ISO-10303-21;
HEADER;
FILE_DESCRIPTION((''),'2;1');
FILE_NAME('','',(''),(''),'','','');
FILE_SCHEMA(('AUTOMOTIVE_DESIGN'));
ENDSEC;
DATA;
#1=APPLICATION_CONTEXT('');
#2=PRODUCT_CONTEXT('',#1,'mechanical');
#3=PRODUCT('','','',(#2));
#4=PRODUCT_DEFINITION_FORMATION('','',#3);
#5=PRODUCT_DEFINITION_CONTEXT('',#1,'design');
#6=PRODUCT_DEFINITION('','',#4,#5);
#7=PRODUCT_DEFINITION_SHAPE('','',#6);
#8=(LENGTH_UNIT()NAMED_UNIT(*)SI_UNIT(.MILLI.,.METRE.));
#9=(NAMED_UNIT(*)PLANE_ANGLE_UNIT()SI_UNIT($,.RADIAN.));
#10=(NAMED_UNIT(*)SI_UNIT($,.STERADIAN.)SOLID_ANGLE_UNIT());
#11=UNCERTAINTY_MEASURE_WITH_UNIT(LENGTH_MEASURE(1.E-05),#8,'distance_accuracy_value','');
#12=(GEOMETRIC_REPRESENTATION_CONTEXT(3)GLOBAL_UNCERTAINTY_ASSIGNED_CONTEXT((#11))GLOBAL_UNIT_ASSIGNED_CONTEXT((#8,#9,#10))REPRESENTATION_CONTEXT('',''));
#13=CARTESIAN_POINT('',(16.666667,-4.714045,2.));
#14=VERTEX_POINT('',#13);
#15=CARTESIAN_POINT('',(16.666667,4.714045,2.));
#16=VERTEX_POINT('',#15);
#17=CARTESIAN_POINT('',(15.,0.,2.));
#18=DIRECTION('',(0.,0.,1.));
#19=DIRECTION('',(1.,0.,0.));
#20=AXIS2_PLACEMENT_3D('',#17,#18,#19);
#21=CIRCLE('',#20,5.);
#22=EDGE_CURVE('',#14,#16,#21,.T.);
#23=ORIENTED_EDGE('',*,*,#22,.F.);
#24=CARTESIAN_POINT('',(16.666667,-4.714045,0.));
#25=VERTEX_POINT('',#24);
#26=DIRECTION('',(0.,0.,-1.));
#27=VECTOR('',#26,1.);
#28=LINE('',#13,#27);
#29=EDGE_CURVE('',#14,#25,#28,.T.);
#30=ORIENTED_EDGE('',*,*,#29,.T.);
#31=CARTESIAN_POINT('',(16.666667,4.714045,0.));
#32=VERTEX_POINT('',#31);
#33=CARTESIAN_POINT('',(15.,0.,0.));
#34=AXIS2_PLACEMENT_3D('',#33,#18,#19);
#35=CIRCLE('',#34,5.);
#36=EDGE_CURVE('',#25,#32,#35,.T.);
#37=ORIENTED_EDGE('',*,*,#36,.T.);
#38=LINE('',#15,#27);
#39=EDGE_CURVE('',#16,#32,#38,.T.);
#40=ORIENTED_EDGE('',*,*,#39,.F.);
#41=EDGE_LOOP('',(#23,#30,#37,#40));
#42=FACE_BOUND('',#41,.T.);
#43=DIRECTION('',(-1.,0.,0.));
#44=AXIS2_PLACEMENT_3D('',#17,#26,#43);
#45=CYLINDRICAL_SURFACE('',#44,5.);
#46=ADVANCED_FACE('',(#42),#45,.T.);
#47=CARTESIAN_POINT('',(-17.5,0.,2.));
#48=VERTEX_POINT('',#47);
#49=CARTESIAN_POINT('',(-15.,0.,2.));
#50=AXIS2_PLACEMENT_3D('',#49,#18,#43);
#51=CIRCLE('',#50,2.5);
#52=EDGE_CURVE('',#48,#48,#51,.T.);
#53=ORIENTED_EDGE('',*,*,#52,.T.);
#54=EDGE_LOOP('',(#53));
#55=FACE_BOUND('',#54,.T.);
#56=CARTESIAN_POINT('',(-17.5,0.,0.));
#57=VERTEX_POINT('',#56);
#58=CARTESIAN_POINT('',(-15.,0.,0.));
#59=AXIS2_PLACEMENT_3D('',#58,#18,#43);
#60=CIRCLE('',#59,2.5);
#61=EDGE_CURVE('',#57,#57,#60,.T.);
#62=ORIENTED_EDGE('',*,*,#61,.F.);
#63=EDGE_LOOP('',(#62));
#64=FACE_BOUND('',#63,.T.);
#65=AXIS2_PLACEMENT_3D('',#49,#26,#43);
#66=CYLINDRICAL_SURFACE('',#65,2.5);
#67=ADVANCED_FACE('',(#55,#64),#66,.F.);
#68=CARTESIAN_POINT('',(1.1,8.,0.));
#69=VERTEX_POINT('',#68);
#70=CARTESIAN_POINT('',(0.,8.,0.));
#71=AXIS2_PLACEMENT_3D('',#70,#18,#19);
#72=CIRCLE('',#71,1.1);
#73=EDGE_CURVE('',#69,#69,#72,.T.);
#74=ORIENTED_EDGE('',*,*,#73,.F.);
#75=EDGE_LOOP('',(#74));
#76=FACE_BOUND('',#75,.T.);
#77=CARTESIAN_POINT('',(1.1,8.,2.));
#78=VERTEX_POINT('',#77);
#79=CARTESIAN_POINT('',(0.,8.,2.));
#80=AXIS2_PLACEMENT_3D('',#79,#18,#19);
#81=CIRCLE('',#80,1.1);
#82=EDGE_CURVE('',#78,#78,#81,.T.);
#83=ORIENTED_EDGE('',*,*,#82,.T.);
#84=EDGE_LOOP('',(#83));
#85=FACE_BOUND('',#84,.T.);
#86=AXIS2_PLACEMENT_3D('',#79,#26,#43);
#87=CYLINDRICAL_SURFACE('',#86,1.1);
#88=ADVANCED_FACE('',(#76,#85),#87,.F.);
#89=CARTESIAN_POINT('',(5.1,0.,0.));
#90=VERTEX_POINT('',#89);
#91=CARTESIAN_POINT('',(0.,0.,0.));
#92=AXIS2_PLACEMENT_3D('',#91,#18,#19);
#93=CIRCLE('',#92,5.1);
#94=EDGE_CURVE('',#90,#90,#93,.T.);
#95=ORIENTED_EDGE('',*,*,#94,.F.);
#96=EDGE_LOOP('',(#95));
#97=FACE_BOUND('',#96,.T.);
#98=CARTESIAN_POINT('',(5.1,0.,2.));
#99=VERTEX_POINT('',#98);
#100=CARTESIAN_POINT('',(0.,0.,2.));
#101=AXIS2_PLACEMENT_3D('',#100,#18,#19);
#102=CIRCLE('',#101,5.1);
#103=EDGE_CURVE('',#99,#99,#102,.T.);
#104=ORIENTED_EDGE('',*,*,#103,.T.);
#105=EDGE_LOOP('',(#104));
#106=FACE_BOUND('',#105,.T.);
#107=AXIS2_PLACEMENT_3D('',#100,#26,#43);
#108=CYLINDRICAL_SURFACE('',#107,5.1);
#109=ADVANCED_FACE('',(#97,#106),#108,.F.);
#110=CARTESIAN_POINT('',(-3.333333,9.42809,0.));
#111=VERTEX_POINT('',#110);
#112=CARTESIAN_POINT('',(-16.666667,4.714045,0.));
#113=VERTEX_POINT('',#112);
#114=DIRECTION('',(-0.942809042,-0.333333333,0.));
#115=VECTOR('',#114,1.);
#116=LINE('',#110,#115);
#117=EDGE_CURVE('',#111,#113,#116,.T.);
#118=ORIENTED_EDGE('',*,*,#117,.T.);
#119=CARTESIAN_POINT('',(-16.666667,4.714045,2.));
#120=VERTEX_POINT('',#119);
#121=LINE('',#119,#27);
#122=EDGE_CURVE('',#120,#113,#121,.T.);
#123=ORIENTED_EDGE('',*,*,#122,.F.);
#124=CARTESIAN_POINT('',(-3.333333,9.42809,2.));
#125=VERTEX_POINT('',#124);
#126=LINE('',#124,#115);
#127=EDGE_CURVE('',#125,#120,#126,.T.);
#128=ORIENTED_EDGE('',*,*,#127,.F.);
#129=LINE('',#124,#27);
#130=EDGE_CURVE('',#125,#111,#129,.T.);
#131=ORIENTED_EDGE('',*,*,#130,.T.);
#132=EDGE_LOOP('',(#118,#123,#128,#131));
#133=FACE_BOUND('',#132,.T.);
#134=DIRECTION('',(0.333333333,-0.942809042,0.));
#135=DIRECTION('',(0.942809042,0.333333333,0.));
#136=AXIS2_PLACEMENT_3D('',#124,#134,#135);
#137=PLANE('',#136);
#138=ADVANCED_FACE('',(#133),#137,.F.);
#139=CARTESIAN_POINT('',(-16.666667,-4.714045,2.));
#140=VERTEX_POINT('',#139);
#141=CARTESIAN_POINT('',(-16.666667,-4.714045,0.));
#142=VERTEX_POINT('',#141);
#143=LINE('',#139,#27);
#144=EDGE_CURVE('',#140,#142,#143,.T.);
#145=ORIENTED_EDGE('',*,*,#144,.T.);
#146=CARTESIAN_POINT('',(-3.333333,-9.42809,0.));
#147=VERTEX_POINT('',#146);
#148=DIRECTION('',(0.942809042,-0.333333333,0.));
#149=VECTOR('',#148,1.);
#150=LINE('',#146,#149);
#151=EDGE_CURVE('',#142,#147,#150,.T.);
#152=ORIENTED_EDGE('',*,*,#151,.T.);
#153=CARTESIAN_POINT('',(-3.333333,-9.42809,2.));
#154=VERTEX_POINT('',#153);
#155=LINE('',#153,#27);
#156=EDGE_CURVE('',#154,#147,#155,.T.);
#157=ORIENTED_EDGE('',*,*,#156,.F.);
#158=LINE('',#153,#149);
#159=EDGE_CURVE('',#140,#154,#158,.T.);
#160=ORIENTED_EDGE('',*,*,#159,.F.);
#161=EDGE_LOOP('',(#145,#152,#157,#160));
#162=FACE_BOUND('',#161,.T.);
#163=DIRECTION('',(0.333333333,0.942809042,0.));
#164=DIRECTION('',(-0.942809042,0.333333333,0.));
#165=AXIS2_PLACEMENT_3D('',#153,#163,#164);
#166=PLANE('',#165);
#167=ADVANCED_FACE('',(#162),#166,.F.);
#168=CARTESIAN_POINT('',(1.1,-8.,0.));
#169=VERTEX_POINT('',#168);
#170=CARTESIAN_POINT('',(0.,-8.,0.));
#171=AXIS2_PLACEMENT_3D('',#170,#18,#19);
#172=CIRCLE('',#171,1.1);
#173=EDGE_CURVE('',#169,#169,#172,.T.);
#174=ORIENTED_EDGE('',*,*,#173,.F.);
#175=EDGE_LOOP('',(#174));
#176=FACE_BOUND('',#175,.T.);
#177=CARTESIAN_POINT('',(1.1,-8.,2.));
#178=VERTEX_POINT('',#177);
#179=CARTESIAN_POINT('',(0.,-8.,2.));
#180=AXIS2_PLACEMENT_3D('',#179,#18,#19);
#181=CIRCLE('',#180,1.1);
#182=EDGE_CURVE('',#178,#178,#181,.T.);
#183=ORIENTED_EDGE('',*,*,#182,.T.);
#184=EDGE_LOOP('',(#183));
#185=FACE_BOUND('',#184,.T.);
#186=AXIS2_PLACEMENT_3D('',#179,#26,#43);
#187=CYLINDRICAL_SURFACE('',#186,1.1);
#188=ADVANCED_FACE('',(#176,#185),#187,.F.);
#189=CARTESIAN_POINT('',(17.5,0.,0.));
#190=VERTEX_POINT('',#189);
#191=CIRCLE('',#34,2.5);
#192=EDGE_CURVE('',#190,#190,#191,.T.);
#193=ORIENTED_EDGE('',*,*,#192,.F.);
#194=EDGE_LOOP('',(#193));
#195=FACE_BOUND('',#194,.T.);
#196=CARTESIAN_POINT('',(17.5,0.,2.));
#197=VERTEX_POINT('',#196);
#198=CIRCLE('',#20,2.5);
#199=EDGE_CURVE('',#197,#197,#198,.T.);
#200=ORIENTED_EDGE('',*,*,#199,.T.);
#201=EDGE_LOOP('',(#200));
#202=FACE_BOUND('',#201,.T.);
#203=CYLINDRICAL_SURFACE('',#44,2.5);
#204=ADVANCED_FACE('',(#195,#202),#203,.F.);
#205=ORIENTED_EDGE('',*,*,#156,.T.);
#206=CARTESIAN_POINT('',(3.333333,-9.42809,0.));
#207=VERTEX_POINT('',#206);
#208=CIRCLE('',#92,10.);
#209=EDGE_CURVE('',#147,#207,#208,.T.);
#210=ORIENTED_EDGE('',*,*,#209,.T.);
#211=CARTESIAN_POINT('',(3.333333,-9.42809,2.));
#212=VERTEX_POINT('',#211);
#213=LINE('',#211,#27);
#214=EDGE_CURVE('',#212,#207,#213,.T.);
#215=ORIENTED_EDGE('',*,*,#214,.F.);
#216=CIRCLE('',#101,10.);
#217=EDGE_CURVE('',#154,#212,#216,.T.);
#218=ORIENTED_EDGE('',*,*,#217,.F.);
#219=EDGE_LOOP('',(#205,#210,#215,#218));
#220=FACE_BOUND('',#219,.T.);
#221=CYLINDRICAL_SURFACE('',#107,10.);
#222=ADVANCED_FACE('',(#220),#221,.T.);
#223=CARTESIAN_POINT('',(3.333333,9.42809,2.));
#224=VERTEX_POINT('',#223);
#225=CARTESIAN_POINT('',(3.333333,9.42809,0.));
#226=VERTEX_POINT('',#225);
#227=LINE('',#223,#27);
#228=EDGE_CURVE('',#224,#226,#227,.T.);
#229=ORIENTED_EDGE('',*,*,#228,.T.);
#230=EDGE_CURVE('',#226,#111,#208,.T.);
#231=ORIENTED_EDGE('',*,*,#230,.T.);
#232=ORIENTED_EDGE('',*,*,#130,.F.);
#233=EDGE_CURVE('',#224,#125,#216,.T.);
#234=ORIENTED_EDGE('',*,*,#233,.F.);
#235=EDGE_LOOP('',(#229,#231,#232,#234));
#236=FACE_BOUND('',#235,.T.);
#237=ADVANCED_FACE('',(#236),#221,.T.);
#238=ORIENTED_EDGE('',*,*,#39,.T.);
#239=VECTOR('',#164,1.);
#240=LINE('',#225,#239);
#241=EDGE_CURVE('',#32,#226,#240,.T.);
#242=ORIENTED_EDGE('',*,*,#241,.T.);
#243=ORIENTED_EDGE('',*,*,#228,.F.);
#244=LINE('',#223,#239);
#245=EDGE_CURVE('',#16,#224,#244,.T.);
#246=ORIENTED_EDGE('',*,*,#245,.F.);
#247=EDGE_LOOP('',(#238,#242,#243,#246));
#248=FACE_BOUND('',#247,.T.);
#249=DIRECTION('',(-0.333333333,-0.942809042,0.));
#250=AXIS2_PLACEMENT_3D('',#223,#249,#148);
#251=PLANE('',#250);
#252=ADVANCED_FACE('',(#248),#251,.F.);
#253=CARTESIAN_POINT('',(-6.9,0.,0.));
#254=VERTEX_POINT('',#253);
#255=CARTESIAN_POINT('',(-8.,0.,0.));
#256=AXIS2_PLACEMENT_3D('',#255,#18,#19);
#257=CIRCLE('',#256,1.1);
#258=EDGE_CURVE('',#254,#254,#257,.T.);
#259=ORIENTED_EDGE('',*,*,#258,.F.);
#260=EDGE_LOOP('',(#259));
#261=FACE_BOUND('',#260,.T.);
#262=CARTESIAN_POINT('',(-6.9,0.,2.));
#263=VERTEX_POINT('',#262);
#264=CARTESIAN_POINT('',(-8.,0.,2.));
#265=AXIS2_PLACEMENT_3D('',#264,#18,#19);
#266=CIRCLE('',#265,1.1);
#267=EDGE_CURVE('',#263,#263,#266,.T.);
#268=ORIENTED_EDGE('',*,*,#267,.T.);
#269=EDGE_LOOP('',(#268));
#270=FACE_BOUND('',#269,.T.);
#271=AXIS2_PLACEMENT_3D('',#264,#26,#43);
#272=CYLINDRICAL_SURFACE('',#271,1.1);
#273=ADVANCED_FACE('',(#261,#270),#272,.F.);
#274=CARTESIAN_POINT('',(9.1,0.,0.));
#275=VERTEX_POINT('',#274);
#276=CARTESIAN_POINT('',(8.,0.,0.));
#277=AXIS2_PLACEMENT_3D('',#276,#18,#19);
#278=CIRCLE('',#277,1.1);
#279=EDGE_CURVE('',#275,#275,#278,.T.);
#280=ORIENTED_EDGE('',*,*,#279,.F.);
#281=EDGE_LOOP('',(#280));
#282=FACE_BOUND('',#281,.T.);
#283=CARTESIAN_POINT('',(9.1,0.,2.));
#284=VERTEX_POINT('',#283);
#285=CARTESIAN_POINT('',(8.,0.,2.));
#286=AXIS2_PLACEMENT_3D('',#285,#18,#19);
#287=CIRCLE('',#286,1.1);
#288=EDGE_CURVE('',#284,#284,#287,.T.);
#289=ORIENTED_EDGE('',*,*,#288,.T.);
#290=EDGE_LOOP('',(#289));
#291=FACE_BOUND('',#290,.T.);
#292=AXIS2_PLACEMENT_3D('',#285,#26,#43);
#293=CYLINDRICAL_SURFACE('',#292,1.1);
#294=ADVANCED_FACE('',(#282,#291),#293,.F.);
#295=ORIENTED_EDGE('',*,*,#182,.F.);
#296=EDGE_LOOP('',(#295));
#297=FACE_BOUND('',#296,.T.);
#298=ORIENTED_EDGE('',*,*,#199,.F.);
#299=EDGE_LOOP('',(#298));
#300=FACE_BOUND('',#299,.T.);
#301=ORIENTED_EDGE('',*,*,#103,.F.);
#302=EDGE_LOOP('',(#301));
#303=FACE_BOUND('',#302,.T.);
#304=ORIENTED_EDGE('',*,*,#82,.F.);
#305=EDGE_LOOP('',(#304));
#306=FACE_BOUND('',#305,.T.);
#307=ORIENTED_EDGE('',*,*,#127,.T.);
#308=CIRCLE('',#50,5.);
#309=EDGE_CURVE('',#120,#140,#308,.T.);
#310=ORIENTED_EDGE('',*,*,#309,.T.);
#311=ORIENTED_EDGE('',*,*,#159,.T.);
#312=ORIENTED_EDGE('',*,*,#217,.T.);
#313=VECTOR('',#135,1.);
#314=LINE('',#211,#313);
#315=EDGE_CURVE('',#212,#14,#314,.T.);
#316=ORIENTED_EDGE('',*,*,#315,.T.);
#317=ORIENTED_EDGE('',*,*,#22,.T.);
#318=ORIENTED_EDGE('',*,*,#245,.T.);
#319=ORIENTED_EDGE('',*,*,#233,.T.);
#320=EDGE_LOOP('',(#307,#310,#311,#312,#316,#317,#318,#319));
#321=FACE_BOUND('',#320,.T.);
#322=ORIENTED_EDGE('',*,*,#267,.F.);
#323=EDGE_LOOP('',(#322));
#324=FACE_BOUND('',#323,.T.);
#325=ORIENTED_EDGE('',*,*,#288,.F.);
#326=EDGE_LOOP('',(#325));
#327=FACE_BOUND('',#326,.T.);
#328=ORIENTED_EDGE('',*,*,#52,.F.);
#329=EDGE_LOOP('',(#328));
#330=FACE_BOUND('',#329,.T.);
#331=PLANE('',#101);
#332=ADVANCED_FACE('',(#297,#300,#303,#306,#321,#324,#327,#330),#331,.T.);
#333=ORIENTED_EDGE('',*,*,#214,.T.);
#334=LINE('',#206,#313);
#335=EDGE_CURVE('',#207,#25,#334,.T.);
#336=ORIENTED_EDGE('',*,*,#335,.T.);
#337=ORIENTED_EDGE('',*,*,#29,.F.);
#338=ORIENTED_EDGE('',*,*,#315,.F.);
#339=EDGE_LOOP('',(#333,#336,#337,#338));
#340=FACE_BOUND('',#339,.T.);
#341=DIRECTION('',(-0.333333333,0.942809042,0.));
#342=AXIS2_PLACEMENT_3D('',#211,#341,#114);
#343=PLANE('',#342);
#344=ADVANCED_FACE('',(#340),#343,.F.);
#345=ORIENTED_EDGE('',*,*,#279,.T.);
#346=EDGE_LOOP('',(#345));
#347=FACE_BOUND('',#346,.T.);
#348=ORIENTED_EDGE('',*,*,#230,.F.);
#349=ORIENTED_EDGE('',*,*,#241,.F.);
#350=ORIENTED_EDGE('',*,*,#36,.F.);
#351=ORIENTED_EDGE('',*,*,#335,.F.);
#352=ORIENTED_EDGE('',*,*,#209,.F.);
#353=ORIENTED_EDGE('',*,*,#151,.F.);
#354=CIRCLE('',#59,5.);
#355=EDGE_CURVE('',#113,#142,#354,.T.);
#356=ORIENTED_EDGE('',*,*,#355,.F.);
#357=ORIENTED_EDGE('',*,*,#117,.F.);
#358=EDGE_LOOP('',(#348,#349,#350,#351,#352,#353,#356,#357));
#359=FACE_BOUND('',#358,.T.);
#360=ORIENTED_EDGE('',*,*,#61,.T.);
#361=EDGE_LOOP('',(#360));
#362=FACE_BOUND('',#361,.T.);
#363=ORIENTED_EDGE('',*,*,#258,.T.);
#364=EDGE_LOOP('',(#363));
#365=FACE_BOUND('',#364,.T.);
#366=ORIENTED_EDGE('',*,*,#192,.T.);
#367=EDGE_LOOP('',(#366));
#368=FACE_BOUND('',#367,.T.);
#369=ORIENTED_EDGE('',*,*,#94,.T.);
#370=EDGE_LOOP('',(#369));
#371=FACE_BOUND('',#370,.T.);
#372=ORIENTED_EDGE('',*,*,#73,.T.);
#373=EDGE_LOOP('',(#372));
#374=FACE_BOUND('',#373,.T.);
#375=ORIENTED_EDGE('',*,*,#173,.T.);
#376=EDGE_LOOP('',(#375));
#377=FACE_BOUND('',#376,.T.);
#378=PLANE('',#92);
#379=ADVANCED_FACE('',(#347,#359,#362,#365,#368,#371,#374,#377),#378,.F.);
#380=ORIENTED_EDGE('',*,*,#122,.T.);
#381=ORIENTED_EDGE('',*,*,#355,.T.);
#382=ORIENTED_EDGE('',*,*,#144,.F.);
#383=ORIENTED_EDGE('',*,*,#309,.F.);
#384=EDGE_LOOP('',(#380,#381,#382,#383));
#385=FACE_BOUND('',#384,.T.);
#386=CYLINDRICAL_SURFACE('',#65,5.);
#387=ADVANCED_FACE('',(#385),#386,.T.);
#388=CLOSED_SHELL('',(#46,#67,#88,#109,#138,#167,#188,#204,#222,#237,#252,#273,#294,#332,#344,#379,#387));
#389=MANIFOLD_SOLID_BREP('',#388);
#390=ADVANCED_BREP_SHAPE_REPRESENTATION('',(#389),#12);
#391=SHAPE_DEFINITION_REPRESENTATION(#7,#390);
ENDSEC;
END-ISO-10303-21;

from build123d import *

# Parameters (mm, degrees)
SKETCH_1_R      = 1.1
SKETCH_1_R_2    = 5.1
SKETCH_1_R_3    = 2.5
EXTRUDE_1_DEPTH = 2


with BuildPart() as part:
    # 草图1 → 凸台-拉伸1 (new body)
    with BuildSketch(Plane.XY):
        with BuildLine():
            Line((3.333333333, 9.428090416), (16.666666667, 4.714045208))
            ThreePointArc((16.666666667, 4.714045208), (20, 0), (16.666666667, -4.714045208))
            Line((16.666666667, -4.714045208), (3.333333333, -9.428090416))
            ThreePointArc((3.333333333, -9.428090416), (0, -10), (-3.333333333, -9.428090416))
            Line((-3.333333333, -9.428090416), (-16.666666667, -4.714045208))
            ThreePointArc((-16.666666667, -4.714045208), (-20, 0), (-16.666666667, 4.714045208))
            Line((-16.666666667, 4.714045208), (-3.333333333, 9.428090416))
            ThreePointArc((-3.333333333, 9.428090416), (0, 10), (3.333333333, 9.428090416))
        make_face()
        with Locations((0, 8)):
            Circle(SKETCH_1_R, mode=Mode.SUBTRACT)
        with Locations((8, 0)):
            Circle(SKETCH_1_R, mode=Mode.SUBTRACT)
        with Locations((0, -8)):
            Circle(SKETCH_1_R, mode=Mode.SUBTRACT)
        with Locations((-8, 0)):
            Circle(SKETCH_1_R, mode=Mode.SUBTRACT)
        Circle(SKETCH_1_R_2, mode=Mode.SUBTRACT)
        with Locations((15, 0)):
            Circle(SKETCH_1_R_3, mode=Mode.SUBTRACT)
        with Locations(Location((-15, 0, 0), (0, 0, 180))):
            Circle(SKETCH_1_R_3, mode=Mode.SUBTRACT)
    extrude(amount=EXTRUDE_1_DEPTH)


solid = part.part
